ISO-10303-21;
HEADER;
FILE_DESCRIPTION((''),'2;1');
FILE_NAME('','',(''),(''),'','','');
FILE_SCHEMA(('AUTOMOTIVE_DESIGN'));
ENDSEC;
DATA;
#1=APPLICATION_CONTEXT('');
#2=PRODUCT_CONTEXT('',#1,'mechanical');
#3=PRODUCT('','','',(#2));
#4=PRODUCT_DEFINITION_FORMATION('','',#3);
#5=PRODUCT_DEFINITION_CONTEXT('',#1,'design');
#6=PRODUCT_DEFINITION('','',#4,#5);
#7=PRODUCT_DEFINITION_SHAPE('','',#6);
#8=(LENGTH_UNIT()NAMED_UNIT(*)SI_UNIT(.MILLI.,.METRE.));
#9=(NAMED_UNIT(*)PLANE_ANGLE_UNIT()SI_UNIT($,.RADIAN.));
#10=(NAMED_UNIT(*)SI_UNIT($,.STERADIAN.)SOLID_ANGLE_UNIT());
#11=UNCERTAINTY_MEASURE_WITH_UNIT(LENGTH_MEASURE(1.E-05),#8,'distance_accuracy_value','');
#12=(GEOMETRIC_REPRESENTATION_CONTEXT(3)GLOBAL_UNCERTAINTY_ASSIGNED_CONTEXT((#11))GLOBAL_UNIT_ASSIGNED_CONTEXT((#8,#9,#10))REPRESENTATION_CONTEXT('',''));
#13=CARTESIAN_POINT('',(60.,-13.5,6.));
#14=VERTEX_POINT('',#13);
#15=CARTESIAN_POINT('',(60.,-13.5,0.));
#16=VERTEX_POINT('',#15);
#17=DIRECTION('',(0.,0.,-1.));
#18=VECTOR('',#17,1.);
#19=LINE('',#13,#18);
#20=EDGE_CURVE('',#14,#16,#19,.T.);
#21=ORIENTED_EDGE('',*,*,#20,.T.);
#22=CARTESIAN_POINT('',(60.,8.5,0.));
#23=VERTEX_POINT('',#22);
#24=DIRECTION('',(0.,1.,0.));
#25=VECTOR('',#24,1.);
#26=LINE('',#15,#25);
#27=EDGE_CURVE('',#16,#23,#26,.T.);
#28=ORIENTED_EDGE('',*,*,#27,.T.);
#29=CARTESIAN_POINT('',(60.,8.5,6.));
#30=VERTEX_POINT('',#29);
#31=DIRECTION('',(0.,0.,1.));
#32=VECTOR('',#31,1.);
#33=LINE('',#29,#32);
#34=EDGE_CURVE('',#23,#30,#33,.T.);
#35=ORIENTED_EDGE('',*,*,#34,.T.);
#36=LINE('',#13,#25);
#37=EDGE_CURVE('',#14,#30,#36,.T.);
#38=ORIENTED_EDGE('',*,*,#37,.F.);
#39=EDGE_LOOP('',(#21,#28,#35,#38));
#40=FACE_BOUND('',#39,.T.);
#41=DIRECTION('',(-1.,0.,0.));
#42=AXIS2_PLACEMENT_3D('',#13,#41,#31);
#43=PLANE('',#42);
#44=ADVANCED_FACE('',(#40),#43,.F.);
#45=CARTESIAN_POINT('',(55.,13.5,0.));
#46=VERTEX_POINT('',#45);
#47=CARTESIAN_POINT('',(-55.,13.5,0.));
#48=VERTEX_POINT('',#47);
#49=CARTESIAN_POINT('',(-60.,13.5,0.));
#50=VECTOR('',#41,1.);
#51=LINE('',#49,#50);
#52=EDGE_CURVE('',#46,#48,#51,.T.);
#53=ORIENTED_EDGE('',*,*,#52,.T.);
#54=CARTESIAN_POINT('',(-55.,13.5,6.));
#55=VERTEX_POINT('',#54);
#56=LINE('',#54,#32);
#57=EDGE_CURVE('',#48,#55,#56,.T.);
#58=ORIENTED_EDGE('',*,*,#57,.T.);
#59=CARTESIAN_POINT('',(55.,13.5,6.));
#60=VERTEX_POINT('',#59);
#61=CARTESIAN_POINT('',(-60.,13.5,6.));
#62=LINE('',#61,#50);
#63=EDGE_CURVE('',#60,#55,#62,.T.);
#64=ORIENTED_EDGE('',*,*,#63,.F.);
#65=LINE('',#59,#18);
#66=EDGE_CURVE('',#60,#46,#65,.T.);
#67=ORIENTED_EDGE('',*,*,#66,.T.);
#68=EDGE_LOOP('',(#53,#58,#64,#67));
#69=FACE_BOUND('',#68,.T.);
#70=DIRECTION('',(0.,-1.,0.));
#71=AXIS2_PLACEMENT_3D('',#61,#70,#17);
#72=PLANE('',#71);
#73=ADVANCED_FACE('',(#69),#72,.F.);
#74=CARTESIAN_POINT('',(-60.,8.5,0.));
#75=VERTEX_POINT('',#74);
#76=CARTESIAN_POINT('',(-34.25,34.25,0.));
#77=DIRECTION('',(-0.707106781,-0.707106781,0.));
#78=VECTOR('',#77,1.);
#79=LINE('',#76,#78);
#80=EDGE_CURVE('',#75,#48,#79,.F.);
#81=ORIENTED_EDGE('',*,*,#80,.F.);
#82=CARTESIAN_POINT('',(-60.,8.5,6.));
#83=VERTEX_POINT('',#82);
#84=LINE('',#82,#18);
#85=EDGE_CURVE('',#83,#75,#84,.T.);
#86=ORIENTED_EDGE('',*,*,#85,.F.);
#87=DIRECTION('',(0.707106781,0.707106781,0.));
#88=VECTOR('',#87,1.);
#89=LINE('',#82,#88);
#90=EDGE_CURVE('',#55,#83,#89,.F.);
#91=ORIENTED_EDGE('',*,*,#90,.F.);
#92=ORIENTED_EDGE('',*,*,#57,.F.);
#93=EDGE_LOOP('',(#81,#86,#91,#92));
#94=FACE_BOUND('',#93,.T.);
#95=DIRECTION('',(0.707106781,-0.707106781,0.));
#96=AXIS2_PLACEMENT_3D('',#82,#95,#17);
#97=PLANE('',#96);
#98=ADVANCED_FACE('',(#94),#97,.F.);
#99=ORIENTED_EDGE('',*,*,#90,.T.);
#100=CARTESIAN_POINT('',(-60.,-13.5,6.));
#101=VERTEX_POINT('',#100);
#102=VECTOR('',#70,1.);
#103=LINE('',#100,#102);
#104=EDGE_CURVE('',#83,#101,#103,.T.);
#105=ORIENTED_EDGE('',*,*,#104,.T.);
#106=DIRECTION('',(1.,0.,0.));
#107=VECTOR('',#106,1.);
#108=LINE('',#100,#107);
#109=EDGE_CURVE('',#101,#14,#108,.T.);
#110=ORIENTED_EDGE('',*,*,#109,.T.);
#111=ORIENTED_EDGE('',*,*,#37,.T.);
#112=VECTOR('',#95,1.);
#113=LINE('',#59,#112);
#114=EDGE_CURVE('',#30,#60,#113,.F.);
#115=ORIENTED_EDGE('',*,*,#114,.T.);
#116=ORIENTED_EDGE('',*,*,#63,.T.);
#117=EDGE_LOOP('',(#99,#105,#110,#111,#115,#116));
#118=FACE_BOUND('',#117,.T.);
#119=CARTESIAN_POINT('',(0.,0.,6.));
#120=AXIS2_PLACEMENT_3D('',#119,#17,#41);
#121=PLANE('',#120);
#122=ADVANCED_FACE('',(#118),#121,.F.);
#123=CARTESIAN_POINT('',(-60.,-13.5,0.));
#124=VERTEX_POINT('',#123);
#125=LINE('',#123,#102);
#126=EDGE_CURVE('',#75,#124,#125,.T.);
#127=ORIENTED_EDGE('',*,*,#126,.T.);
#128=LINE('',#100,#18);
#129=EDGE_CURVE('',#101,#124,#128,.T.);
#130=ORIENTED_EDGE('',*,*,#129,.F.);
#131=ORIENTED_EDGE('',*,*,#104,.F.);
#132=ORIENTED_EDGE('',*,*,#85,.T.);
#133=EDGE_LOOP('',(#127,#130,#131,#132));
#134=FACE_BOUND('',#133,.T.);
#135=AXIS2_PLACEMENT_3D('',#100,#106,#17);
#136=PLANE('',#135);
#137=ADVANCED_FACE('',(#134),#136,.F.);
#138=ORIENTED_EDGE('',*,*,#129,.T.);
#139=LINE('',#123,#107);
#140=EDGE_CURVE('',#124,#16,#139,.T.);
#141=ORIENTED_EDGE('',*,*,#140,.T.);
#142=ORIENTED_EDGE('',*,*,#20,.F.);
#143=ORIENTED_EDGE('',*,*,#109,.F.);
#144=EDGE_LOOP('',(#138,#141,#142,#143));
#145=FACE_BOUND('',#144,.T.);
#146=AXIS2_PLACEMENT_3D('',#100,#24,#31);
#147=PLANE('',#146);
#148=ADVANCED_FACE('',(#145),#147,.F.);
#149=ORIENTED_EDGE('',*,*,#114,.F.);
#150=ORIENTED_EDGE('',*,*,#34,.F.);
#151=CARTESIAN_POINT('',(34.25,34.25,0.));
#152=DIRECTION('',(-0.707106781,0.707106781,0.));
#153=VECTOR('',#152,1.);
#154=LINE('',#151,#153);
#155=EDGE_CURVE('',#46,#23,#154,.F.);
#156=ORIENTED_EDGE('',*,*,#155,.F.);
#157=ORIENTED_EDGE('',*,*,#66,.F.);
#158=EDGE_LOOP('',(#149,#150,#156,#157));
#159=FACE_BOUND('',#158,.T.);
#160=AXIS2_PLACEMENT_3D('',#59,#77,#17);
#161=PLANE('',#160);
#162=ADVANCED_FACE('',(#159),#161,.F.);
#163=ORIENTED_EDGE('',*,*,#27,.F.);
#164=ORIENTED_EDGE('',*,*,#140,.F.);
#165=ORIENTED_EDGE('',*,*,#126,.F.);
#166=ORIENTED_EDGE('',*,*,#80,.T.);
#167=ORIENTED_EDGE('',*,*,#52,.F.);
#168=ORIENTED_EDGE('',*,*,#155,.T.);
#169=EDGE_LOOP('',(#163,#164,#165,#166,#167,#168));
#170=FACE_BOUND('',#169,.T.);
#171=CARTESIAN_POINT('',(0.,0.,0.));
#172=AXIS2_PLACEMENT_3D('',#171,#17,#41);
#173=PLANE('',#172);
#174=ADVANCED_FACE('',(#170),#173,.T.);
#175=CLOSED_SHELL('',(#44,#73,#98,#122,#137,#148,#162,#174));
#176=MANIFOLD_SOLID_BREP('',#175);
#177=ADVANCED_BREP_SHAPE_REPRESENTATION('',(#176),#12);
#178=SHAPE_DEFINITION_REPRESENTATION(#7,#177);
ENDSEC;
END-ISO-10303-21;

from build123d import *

# Parameters (mm, degrees)
SKETCH_1_W      = 120
SKETCH_1_H      = 27
EXTRUDE_1_DEPTH = 6
CHAMFER_1_SIZE  = 5


with BuildPart() as part:
    # 草图1 → 凸台-拉伸1 (new body)
    with BuildSketch(Plane.XY):
        Rectangle(SKETCH_1_W, SKETCH_1_H)
    extrude(amount=EXTRUDE_1_DEPTH)

    # 倒角1
    chamfer_1_edges = [part.edges().sort_by_distance(p)[0] for p in [
        (-60, 13.5, 3),
        (60, 13.5, 3),
    ]]
    chamfer(chamfer_1_edges, length=CHAMFER_1_SIZE)


solid = part.part
